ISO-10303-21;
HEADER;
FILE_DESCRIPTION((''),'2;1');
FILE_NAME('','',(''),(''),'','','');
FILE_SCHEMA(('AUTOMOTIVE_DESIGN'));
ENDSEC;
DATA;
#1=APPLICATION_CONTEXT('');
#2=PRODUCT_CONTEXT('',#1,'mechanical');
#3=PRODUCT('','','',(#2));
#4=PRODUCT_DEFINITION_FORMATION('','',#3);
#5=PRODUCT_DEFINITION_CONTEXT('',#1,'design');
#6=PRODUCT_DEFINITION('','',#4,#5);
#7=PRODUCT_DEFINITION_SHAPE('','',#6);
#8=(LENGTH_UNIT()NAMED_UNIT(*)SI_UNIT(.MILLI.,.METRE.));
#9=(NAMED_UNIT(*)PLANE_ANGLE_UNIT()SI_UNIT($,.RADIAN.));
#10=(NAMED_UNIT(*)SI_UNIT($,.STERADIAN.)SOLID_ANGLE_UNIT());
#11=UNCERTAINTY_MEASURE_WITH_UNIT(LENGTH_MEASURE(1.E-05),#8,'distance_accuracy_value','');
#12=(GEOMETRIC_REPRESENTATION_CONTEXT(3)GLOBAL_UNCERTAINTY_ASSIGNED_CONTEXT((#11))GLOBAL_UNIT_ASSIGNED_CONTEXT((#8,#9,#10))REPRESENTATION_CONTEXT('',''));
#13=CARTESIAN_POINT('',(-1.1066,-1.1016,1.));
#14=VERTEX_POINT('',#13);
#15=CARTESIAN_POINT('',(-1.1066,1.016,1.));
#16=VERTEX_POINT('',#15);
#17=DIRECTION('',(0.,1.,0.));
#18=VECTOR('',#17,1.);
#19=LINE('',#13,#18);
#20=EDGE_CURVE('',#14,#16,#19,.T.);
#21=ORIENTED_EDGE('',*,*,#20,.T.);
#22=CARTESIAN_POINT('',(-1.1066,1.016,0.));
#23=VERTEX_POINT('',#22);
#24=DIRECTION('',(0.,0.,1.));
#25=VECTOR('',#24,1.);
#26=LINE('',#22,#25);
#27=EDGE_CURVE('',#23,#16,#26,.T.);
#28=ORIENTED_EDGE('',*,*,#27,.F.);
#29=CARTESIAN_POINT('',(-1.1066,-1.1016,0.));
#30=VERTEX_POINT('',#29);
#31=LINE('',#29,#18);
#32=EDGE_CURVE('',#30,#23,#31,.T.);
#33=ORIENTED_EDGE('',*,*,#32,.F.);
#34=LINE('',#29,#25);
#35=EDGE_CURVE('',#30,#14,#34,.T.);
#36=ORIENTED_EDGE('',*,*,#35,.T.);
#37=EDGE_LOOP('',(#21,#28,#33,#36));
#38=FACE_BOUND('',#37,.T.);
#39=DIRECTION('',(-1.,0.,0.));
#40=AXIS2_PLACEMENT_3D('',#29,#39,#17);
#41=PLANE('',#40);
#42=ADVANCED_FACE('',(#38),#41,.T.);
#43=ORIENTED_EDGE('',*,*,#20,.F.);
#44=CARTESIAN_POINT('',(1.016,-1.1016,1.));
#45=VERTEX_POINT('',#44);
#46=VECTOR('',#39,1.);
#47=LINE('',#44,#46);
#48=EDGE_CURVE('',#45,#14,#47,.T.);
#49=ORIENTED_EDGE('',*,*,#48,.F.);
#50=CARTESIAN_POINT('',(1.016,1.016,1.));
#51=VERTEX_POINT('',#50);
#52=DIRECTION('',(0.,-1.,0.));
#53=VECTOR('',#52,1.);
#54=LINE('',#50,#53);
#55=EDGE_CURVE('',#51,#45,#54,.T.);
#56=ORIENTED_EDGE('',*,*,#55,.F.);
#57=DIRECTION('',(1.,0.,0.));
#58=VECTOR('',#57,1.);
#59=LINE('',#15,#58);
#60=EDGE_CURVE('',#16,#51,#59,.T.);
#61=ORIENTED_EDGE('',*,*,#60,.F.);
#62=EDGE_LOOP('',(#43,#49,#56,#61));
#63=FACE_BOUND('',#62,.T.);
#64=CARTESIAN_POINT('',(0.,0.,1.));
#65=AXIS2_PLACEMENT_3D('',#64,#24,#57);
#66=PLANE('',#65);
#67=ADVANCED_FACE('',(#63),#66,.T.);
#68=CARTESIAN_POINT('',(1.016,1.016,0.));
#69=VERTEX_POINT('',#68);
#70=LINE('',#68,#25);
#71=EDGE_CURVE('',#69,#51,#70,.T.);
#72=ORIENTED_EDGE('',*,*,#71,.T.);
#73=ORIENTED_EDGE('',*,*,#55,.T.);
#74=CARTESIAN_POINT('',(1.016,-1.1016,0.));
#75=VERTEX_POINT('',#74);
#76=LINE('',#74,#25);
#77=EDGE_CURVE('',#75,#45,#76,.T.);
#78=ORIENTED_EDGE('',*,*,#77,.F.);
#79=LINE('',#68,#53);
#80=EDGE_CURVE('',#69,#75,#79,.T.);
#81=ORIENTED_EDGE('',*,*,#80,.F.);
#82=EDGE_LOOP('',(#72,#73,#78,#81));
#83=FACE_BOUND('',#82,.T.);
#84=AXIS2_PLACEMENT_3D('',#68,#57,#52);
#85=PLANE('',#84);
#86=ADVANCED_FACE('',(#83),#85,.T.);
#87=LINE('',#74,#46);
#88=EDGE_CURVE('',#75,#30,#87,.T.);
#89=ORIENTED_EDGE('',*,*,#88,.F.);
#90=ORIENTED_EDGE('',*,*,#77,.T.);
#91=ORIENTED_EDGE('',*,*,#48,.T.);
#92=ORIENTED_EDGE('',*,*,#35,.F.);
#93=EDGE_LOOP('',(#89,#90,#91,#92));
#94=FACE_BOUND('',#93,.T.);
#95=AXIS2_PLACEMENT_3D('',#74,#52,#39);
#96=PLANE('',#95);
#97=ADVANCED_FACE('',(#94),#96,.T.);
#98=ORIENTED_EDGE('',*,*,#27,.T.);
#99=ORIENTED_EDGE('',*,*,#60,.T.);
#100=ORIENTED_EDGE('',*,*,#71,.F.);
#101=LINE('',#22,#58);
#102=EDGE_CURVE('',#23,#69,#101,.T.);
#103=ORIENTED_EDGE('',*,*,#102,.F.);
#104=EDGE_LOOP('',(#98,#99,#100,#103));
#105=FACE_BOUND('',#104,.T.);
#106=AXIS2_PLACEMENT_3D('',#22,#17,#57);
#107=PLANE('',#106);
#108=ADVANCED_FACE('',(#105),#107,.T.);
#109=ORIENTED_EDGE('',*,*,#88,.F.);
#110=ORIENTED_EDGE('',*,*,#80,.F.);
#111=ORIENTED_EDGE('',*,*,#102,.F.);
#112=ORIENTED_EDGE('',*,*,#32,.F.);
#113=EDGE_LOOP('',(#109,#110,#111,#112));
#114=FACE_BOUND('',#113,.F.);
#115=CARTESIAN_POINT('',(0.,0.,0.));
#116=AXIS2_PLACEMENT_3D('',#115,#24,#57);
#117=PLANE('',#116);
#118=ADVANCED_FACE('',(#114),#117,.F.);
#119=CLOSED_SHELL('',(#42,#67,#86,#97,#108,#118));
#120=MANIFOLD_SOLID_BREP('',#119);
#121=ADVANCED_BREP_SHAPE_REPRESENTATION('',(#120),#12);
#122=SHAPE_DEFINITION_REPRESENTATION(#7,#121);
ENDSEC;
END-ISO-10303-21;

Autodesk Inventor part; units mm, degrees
ref_plane "YZ Plane" through (0, 0, 0) normal (1, 0, 0) x (0, 1, 0)
ref_plane "XZ Plane" through (0, 0, 0) normal (0, 1, 0) x (-1, 0, 0)
ref_plane "XY Plane" through (0, 0, 0) normal (0, 0, 1) x (1, 0, 0)
sketch "SJ_2S-NOTRACE, SOLDERJUMPERNC3_53" plane through (0, 0, 0) normal (0, 0, 1) x (1, 0, 0)
  line L0 (-1.1066, 1.016) -> (1.016, 1.016)
  line L1 (1.016, 1.016) -> (1.016, -1.1016)
  line L2 (1.016, -1.1016) -> (-1.1066, -1.1016)
  line L3 (-1.1066, -1.1016) -> (-1.1066, 1.016)
extrude "Extrusion1" add sketch "SJ_2S-NOTRACE, SOLDERJUMPERNC3_53" along normal blind 1
properties part number "SOLDERJUMPERNC3"
